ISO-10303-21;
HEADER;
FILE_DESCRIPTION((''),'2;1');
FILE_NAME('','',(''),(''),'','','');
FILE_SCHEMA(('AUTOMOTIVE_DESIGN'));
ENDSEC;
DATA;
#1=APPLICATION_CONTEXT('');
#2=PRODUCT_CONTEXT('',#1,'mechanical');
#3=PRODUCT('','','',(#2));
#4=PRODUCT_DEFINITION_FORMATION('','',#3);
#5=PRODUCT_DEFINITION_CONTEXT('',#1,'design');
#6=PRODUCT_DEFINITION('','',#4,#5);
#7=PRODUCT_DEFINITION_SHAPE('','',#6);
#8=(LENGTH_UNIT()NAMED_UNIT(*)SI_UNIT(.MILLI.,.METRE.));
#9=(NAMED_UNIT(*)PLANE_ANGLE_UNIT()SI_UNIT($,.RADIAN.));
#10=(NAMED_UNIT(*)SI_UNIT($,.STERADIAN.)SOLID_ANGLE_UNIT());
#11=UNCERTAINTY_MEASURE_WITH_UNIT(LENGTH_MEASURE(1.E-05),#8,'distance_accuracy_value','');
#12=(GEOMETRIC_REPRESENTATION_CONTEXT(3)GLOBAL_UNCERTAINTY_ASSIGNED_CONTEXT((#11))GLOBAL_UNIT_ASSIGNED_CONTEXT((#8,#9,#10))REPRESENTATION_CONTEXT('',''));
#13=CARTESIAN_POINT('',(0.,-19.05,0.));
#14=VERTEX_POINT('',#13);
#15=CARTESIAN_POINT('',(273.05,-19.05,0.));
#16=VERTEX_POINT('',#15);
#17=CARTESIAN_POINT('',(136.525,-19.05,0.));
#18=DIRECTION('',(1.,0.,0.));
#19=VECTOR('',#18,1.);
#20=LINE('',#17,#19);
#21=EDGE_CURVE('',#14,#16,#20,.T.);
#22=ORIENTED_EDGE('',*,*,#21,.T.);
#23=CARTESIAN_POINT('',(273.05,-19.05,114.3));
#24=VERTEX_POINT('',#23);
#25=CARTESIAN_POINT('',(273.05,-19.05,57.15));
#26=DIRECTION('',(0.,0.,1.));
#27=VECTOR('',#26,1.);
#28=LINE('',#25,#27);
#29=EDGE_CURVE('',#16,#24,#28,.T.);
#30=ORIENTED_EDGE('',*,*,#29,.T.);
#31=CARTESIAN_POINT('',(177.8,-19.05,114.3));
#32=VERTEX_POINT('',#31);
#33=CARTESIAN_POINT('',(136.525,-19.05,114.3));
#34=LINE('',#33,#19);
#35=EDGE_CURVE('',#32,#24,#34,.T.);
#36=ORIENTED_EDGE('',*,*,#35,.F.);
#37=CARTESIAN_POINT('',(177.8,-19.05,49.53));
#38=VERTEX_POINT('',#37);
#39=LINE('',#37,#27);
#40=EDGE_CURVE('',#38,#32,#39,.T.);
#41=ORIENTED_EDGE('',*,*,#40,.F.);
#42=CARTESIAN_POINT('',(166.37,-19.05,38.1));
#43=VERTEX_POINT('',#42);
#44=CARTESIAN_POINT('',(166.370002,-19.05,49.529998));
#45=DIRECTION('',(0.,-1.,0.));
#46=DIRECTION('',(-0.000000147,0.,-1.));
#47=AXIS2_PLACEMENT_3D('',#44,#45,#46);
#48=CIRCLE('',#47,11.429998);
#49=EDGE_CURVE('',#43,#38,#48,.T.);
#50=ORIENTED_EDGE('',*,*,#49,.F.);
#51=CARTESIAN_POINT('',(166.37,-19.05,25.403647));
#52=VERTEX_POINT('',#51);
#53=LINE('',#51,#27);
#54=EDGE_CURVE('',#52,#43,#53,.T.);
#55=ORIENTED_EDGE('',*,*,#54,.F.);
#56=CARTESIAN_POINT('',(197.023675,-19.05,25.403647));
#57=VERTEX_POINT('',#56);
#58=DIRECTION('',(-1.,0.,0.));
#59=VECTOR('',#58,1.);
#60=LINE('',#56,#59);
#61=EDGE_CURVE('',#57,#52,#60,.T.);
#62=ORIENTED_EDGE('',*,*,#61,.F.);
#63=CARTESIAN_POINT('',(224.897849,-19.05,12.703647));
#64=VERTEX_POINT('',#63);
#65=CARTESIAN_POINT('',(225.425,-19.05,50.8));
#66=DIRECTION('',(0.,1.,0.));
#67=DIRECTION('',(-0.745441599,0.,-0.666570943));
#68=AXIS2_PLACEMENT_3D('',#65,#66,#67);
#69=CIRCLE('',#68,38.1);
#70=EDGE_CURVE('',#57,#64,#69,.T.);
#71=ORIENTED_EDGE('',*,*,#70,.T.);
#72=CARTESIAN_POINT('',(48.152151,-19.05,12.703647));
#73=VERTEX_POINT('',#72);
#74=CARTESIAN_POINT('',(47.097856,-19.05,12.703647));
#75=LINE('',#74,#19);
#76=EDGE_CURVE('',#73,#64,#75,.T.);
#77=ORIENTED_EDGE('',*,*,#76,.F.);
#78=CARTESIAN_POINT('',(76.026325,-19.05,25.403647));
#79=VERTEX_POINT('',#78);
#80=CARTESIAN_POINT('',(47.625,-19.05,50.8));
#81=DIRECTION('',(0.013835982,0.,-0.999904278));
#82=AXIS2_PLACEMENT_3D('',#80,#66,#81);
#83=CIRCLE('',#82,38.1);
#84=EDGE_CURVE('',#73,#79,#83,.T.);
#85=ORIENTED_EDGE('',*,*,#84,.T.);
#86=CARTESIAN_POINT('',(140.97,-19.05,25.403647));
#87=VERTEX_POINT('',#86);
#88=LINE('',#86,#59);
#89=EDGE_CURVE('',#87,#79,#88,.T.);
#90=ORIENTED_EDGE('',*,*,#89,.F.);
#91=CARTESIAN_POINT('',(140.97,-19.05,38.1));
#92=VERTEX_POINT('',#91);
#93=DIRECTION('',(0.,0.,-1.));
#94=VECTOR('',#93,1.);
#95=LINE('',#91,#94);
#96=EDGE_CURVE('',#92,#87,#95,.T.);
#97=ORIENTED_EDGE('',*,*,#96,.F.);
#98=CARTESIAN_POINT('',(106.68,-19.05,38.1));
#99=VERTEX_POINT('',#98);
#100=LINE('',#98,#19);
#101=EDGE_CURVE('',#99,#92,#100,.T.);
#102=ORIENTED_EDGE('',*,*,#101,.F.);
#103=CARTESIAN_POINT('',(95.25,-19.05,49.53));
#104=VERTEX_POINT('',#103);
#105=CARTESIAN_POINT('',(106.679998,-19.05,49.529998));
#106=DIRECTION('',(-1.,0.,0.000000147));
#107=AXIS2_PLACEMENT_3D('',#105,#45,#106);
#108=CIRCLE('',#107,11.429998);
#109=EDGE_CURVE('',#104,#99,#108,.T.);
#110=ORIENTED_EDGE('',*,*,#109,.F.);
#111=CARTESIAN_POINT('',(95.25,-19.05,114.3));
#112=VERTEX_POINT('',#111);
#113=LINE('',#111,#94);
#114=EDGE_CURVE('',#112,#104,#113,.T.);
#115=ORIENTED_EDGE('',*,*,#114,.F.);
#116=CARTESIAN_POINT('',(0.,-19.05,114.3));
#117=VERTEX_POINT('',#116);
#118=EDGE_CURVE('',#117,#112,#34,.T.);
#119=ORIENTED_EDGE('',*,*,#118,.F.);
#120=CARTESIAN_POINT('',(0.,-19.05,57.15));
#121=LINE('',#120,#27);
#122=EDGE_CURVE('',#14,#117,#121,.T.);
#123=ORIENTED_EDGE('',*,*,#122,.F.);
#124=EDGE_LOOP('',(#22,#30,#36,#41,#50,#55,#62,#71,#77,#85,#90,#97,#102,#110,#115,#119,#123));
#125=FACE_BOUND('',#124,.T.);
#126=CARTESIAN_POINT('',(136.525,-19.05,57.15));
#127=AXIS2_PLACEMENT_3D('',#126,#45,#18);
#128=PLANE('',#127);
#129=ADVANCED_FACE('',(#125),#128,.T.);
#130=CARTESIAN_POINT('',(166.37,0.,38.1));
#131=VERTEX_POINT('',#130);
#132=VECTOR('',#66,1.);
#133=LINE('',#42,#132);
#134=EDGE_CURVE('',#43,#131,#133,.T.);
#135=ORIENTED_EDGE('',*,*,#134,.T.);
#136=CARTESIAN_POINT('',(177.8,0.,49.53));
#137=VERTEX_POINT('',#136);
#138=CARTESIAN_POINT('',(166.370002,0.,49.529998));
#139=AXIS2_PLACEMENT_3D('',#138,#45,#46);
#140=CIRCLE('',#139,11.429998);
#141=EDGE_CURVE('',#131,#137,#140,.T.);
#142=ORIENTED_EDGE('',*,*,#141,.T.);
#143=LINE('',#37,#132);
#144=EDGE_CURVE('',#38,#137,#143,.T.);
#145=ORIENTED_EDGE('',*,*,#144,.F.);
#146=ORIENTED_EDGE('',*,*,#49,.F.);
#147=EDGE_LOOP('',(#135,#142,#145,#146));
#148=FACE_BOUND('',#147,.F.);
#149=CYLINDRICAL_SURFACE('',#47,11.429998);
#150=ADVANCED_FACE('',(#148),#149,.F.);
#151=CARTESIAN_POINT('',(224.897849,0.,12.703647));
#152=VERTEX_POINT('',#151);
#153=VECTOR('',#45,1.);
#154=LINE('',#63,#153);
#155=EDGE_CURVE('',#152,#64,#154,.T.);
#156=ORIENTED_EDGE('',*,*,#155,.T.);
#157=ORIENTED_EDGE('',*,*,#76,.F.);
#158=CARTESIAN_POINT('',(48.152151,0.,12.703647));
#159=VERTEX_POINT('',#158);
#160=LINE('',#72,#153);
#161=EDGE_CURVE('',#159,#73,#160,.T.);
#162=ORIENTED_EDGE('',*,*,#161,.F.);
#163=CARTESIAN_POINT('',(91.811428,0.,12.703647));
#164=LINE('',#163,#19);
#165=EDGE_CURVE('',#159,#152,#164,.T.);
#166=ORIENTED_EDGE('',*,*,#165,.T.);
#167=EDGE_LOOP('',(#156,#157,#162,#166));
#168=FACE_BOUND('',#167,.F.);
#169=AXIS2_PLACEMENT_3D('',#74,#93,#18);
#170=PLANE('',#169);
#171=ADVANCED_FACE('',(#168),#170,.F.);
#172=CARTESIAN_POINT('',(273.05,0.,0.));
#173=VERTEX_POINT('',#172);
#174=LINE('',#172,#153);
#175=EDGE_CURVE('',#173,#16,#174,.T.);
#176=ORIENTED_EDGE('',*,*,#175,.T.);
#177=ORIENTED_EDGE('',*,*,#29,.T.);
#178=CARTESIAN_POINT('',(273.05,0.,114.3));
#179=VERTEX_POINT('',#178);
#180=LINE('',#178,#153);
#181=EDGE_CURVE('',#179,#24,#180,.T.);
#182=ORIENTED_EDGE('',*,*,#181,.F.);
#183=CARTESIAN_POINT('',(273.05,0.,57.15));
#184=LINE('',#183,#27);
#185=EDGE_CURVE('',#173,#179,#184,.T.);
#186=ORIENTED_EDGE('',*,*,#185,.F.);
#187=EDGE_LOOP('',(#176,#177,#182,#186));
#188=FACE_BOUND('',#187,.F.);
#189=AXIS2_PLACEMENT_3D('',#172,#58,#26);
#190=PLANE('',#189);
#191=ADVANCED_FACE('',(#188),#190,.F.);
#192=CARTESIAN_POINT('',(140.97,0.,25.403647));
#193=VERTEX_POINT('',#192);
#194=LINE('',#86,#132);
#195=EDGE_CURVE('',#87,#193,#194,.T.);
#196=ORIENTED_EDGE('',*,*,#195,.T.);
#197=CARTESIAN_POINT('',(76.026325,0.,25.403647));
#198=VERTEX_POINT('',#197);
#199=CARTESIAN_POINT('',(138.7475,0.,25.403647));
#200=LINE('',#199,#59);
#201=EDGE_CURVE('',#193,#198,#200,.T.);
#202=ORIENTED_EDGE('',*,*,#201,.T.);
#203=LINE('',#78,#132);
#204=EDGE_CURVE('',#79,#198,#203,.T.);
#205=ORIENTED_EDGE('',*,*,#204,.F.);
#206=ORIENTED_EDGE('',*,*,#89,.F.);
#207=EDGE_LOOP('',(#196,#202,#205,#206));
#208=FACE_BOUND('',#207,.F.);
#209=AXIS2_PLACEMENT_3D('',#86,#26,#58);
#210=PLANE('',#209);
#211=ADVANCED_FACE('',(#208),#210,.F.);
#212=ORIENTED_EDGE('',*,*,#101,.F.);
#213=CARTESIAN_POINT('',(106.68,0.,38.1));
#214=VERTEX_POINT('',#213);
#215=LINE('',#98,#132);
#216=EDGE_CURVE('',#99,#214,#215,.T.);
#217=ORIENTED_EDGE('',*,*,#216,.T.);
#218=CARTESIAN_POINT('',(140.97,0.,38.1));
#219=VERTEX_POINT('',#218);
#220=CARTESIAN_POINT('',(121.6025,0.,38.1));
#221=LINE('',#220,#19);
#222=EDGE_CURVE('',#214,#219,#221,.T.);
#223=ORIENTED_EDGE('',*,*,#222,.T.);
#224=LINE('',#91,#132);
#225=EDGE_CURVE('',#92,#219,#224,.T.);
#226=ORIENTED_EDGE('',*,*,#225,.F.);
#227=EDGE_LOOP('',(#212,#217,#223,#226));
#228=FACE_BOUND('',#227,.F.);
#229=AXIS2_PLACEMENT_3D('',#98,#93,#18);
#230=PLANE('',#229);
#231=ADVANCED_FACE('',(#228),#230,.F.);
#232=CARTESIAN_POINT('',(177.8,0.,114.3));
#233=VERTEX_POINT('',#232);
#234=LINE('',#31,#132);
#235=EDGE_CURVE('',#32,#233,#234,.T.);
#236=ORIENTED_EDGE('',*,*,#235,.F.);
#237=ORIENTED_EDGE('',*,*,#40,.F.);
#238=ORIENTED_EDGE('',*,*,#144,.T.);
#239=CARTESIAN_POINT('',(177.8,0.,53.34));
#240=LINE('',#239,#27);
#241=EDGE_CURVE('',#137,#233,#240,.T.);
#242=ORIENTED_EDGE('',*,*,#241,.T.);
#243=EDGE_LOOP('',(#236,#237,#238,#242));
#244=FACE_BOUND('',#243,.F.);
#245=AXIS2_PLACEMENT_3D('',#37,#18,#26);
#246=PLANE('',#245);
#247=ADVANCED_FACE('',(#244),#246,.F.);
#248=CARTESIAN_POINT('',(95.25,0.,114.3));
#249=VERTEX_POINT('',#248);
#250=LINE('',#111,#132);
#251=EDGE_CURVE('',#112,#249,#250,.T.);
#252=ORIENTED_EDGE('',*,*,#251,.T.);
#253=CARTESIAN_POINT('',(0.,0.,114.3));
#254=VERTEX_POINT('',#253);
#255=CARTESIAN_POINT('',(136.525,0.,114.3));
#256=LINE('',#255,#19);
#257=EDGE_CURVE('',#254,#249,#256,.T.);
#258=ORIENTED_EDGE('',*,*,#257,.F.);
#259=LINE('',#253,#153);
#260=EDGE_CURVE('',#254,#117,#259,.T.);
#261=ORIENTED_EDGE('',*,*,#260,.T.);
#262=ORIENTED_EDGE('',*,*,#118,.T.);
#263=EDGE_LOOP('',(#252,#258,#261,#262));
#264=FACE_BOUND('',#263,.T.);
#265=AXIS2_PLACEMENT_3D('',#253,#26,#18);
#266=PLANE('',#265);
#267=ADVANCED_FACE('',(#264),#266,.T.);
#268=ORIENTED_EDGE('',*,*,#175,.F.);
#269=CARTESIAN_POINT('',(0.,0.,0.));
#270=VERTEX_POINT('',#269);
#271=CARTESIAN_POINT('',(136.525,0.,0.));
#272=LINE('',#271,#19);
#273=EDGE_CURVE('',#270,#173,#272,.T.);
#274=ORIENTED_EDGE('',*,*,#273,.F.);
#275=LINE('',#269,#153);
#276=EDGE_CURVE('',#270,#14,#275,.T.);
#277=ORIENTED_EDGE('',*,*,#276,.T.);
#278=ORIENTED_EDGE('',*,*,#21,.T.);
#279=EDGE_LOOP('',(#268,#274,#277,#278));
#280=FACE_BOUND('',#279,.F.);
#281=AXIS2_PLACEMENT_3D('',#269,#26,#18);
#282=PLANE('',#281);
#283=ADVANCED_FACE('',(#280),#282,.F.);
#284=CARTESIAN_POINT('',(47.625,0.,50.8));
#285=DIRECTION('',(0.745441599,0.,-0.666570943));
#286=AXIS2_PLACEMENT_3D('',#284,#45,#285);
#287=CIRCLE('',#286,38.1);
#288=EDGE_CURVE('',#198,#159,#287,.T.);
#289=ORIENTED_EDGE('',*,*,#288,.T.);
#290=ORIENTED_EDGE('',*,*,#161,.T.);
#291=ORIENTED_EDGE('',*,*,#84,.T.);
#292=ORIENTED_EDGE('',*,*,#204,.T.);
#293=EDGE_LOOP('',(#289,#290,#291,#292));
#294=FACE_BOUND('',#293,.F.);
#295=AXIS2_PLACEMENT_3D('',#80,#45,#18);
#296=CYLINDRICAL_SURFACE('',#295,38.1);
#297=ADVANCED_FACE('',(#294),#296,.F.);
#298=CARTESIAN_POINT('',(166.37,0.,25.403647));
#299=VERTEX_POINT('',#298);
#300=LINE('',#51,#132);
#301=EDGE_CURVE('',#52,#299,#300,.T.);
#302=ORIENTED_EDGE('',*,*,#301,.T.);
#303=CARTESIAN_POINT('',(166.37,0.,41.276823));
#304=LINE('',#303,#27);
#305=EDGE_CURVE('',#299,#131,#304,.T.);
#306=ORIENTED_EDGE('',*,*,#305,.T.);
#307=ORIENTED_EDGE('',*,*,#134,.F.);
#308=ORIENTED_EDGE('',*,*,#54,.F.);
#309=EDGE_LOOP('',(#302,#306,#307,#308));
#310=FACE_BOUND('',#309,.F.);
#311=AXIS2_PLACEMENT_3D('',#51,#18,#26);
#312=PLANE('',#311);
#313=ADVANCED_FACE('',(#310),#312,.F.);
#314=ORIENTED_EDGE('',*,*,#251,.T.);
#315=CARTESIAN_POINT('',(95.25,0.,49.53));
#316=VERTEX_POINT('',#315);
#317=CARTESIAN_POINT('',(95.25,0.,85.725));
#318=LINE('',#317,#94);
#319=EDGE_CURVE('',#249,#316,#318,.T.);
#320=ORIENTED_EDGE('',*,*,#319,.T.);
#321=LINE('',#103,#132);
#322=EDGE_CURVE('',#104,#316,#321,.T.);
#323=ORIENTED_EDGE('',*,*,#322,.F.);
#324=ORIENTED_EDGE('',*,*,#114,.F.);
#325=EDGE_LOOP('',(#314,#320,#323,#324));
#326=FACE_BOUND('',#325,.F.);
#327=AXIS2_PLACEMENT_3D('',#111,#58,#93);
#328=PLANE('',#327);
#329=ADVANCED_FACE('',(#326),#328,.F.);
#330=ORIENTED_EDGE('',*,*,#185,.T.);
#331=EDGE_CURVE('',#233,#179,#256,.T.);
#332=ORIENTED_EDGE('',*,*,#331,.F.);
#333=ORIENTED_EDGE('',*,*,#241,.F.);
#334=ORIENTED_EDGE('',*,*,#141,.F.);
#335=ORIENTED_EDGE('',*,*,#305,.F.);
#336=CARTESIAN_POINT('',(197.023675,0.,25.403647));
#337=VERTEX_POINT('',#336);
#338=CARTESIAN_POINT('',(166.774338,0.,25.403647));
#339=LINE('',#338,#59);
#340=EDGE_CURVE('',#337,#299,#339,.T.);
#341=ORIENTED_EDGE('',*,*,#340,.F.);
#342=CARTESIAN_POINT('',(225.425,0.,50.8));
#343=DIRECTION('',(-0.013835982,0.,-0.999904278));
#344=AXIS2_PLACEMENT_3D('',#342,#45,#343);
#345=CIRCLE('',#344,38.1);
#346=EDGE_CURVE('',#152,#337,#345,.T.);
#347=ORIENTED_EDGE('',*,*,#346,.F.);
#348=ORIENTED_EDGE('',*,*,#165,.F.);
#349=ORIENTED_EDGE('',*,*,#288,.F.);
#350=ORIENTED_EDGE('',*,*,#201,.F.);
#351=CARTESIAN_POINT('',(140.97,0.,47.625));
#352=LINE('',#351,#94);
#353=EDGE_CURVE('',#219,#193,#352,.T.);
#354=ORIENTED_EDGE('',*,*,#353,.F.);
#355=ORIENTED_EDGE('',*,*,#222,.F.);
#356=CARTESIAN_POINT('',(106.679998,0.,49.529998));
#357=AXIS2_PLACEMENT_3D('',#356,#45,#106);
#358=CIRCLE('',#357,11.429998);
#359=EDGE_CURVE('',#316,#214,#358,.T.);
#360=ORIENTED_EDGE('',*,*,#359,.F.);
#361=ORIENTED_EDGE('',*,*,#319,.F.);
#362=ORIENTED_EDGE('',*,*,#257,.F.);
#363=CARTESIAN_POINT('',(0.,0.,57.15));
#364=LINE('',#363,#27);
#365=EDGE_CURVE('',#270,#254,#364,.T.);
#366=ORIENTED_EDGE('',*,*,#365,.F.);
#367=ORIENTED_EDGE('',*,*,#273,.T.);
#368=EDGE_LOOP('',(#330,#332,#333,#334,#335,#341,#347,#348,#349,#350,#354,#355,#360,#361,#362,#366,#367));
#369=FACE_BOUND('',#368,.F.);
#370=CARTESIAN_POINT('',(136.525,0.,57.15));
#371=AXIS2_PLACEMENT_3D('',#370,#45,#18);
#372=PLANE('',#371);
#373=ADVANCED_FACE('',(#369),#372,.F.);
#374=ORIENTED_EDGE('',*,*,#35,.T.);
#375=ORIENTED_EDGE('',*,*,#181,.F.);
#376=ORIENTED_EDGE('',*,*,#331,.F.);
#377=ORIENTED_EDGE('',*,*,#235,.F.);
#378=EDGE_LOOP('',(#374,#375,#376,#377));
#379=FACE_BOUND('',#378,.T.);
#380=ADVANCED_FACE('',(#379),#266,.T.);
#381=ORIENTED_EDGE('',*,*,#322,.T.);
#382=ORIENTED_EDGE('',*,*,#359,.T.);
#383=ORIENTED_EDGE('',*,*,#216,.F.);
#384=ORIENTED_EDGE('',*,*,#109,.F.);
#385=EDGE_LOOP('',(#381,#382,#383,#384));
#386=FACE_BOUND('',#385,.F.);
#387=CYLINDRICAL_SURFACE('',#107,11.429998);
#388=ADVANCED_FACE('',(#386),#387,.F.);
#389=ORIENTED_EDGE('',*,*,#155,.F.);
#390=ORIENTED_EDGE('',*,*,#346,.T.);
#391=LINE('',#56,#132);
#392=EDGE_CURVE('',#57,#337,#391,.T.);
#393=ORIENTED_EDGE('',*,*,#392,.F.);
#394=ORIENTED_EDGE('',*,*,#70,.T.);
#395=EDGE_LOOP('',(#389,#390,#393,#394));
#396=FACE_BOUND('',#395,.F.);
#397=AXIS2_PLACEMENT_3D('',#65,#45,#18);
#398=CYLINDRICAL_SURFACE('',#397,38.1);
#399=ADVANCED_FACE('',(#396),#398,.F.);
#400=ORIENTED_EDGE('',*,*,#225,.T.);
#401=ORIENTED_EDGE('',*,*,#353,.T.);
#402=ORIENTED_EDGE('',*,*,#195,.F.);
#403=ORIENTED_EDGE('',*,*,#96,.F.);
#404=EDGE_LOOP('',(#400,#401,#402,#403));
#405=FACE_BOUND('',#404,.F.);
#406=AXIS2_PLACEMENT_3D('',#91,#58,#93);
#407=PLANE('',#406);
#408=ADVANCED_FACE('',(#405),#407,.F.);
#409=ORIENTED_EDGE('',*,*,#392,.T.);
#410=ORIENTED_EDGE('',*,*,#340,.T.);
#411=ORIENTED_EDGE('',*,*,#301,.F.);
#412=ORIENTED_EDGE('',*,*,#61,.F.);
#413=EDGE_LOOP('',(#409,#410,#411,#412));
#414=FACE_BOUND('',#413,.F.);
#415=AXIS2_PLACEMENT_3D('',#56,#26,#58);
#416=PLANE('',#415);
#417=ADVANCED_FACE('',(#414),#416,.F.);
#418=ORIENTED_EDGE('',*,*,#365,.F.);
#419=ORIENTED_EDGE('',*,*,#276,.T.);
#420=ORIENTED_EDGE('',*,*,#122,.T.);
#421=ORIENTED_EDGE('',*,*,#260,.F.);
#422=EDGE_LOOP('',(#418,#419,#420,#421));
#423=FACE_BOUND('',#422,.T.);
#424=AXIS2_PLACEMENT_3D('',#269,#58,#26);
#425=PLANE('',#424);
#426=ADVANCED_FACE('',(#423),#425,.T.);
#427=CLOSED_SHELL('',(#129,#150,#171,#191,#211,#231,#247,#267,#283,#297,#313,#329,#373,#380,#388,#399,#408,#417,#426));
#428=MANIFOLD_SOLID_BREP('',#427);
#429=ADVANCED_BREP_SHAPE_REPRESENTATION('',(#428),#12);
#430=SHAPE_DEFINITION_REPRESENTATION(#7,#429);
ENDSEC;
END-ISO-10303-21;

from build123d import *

# Parameters (mm, degrees)
F0_W     = 273.05
F0_H     = 114.3
F1_DEPTH = 19.05
F2_R     = 38.1
F3_DEPTH = 25.4
F5_DEPTH = 25.4
F7_DEPTH = 25.4


with BuildPart() as f1:
    # F0 (on Front) → F1 (new body)
    with BuildSketch(Plane.XZ):
        with Locations((136.525, 57.15)):
            Rectangle(F0_W, F0_H)
    extrude(amount=F1_DEPTH)

    # F2 (on face) → F3 (cut)
    with BuildSketch(Plane.XZ.offset(19.05)):
        with Locations((47.625, 50.8)):
            Circle(F2_R)
        with Locations((225.425, 50.8)):
            Circle(F2_R)
    extrude(amount=-F3_DEPTH, mode=Mode.SUBTRACT)

    # F4 (on face) → F5 (cut)
    with BuildSketch(Plane.XZ.offset(19.05)):
        with BuildLine():
            Line((177.8, 114.3), (95.25, 114.3))
            Line((95.25, 114.3), (95.25, 49.53))
            ThreePointArc((95.25, 49.53), (98.597769, 41.447769), (106.68, 38.1))
            Line((106.68, 38.1), (166.37, 38.1))
            ThreePointArc((166.37, 38.1), (174.452231, 41.447769), (177.8, 49.53))
            Line((177.8, 49.53), (177.8, 114.3))
        make_face()
    extrude(amount=-F5_DEPTH, mode=Mode.SUBTRACT)

    # F6 (on face) → F7 (cut)
    with BuildSketch(Plane.XZ.offset(19.05)):
        Polygon((166.37, 25.403647), (166.37, 38.1), (140.97, 38.1), (140.97, 25.403647), (76.026325, 25.403647), (47.097856, 12.703647), (225.952144, 12.703647), (197.023675, 25.403647), align=None)
    extrude(amount=-F7_DEPTH, mode=Mode.SUBTRACT)


solid = f1.part
